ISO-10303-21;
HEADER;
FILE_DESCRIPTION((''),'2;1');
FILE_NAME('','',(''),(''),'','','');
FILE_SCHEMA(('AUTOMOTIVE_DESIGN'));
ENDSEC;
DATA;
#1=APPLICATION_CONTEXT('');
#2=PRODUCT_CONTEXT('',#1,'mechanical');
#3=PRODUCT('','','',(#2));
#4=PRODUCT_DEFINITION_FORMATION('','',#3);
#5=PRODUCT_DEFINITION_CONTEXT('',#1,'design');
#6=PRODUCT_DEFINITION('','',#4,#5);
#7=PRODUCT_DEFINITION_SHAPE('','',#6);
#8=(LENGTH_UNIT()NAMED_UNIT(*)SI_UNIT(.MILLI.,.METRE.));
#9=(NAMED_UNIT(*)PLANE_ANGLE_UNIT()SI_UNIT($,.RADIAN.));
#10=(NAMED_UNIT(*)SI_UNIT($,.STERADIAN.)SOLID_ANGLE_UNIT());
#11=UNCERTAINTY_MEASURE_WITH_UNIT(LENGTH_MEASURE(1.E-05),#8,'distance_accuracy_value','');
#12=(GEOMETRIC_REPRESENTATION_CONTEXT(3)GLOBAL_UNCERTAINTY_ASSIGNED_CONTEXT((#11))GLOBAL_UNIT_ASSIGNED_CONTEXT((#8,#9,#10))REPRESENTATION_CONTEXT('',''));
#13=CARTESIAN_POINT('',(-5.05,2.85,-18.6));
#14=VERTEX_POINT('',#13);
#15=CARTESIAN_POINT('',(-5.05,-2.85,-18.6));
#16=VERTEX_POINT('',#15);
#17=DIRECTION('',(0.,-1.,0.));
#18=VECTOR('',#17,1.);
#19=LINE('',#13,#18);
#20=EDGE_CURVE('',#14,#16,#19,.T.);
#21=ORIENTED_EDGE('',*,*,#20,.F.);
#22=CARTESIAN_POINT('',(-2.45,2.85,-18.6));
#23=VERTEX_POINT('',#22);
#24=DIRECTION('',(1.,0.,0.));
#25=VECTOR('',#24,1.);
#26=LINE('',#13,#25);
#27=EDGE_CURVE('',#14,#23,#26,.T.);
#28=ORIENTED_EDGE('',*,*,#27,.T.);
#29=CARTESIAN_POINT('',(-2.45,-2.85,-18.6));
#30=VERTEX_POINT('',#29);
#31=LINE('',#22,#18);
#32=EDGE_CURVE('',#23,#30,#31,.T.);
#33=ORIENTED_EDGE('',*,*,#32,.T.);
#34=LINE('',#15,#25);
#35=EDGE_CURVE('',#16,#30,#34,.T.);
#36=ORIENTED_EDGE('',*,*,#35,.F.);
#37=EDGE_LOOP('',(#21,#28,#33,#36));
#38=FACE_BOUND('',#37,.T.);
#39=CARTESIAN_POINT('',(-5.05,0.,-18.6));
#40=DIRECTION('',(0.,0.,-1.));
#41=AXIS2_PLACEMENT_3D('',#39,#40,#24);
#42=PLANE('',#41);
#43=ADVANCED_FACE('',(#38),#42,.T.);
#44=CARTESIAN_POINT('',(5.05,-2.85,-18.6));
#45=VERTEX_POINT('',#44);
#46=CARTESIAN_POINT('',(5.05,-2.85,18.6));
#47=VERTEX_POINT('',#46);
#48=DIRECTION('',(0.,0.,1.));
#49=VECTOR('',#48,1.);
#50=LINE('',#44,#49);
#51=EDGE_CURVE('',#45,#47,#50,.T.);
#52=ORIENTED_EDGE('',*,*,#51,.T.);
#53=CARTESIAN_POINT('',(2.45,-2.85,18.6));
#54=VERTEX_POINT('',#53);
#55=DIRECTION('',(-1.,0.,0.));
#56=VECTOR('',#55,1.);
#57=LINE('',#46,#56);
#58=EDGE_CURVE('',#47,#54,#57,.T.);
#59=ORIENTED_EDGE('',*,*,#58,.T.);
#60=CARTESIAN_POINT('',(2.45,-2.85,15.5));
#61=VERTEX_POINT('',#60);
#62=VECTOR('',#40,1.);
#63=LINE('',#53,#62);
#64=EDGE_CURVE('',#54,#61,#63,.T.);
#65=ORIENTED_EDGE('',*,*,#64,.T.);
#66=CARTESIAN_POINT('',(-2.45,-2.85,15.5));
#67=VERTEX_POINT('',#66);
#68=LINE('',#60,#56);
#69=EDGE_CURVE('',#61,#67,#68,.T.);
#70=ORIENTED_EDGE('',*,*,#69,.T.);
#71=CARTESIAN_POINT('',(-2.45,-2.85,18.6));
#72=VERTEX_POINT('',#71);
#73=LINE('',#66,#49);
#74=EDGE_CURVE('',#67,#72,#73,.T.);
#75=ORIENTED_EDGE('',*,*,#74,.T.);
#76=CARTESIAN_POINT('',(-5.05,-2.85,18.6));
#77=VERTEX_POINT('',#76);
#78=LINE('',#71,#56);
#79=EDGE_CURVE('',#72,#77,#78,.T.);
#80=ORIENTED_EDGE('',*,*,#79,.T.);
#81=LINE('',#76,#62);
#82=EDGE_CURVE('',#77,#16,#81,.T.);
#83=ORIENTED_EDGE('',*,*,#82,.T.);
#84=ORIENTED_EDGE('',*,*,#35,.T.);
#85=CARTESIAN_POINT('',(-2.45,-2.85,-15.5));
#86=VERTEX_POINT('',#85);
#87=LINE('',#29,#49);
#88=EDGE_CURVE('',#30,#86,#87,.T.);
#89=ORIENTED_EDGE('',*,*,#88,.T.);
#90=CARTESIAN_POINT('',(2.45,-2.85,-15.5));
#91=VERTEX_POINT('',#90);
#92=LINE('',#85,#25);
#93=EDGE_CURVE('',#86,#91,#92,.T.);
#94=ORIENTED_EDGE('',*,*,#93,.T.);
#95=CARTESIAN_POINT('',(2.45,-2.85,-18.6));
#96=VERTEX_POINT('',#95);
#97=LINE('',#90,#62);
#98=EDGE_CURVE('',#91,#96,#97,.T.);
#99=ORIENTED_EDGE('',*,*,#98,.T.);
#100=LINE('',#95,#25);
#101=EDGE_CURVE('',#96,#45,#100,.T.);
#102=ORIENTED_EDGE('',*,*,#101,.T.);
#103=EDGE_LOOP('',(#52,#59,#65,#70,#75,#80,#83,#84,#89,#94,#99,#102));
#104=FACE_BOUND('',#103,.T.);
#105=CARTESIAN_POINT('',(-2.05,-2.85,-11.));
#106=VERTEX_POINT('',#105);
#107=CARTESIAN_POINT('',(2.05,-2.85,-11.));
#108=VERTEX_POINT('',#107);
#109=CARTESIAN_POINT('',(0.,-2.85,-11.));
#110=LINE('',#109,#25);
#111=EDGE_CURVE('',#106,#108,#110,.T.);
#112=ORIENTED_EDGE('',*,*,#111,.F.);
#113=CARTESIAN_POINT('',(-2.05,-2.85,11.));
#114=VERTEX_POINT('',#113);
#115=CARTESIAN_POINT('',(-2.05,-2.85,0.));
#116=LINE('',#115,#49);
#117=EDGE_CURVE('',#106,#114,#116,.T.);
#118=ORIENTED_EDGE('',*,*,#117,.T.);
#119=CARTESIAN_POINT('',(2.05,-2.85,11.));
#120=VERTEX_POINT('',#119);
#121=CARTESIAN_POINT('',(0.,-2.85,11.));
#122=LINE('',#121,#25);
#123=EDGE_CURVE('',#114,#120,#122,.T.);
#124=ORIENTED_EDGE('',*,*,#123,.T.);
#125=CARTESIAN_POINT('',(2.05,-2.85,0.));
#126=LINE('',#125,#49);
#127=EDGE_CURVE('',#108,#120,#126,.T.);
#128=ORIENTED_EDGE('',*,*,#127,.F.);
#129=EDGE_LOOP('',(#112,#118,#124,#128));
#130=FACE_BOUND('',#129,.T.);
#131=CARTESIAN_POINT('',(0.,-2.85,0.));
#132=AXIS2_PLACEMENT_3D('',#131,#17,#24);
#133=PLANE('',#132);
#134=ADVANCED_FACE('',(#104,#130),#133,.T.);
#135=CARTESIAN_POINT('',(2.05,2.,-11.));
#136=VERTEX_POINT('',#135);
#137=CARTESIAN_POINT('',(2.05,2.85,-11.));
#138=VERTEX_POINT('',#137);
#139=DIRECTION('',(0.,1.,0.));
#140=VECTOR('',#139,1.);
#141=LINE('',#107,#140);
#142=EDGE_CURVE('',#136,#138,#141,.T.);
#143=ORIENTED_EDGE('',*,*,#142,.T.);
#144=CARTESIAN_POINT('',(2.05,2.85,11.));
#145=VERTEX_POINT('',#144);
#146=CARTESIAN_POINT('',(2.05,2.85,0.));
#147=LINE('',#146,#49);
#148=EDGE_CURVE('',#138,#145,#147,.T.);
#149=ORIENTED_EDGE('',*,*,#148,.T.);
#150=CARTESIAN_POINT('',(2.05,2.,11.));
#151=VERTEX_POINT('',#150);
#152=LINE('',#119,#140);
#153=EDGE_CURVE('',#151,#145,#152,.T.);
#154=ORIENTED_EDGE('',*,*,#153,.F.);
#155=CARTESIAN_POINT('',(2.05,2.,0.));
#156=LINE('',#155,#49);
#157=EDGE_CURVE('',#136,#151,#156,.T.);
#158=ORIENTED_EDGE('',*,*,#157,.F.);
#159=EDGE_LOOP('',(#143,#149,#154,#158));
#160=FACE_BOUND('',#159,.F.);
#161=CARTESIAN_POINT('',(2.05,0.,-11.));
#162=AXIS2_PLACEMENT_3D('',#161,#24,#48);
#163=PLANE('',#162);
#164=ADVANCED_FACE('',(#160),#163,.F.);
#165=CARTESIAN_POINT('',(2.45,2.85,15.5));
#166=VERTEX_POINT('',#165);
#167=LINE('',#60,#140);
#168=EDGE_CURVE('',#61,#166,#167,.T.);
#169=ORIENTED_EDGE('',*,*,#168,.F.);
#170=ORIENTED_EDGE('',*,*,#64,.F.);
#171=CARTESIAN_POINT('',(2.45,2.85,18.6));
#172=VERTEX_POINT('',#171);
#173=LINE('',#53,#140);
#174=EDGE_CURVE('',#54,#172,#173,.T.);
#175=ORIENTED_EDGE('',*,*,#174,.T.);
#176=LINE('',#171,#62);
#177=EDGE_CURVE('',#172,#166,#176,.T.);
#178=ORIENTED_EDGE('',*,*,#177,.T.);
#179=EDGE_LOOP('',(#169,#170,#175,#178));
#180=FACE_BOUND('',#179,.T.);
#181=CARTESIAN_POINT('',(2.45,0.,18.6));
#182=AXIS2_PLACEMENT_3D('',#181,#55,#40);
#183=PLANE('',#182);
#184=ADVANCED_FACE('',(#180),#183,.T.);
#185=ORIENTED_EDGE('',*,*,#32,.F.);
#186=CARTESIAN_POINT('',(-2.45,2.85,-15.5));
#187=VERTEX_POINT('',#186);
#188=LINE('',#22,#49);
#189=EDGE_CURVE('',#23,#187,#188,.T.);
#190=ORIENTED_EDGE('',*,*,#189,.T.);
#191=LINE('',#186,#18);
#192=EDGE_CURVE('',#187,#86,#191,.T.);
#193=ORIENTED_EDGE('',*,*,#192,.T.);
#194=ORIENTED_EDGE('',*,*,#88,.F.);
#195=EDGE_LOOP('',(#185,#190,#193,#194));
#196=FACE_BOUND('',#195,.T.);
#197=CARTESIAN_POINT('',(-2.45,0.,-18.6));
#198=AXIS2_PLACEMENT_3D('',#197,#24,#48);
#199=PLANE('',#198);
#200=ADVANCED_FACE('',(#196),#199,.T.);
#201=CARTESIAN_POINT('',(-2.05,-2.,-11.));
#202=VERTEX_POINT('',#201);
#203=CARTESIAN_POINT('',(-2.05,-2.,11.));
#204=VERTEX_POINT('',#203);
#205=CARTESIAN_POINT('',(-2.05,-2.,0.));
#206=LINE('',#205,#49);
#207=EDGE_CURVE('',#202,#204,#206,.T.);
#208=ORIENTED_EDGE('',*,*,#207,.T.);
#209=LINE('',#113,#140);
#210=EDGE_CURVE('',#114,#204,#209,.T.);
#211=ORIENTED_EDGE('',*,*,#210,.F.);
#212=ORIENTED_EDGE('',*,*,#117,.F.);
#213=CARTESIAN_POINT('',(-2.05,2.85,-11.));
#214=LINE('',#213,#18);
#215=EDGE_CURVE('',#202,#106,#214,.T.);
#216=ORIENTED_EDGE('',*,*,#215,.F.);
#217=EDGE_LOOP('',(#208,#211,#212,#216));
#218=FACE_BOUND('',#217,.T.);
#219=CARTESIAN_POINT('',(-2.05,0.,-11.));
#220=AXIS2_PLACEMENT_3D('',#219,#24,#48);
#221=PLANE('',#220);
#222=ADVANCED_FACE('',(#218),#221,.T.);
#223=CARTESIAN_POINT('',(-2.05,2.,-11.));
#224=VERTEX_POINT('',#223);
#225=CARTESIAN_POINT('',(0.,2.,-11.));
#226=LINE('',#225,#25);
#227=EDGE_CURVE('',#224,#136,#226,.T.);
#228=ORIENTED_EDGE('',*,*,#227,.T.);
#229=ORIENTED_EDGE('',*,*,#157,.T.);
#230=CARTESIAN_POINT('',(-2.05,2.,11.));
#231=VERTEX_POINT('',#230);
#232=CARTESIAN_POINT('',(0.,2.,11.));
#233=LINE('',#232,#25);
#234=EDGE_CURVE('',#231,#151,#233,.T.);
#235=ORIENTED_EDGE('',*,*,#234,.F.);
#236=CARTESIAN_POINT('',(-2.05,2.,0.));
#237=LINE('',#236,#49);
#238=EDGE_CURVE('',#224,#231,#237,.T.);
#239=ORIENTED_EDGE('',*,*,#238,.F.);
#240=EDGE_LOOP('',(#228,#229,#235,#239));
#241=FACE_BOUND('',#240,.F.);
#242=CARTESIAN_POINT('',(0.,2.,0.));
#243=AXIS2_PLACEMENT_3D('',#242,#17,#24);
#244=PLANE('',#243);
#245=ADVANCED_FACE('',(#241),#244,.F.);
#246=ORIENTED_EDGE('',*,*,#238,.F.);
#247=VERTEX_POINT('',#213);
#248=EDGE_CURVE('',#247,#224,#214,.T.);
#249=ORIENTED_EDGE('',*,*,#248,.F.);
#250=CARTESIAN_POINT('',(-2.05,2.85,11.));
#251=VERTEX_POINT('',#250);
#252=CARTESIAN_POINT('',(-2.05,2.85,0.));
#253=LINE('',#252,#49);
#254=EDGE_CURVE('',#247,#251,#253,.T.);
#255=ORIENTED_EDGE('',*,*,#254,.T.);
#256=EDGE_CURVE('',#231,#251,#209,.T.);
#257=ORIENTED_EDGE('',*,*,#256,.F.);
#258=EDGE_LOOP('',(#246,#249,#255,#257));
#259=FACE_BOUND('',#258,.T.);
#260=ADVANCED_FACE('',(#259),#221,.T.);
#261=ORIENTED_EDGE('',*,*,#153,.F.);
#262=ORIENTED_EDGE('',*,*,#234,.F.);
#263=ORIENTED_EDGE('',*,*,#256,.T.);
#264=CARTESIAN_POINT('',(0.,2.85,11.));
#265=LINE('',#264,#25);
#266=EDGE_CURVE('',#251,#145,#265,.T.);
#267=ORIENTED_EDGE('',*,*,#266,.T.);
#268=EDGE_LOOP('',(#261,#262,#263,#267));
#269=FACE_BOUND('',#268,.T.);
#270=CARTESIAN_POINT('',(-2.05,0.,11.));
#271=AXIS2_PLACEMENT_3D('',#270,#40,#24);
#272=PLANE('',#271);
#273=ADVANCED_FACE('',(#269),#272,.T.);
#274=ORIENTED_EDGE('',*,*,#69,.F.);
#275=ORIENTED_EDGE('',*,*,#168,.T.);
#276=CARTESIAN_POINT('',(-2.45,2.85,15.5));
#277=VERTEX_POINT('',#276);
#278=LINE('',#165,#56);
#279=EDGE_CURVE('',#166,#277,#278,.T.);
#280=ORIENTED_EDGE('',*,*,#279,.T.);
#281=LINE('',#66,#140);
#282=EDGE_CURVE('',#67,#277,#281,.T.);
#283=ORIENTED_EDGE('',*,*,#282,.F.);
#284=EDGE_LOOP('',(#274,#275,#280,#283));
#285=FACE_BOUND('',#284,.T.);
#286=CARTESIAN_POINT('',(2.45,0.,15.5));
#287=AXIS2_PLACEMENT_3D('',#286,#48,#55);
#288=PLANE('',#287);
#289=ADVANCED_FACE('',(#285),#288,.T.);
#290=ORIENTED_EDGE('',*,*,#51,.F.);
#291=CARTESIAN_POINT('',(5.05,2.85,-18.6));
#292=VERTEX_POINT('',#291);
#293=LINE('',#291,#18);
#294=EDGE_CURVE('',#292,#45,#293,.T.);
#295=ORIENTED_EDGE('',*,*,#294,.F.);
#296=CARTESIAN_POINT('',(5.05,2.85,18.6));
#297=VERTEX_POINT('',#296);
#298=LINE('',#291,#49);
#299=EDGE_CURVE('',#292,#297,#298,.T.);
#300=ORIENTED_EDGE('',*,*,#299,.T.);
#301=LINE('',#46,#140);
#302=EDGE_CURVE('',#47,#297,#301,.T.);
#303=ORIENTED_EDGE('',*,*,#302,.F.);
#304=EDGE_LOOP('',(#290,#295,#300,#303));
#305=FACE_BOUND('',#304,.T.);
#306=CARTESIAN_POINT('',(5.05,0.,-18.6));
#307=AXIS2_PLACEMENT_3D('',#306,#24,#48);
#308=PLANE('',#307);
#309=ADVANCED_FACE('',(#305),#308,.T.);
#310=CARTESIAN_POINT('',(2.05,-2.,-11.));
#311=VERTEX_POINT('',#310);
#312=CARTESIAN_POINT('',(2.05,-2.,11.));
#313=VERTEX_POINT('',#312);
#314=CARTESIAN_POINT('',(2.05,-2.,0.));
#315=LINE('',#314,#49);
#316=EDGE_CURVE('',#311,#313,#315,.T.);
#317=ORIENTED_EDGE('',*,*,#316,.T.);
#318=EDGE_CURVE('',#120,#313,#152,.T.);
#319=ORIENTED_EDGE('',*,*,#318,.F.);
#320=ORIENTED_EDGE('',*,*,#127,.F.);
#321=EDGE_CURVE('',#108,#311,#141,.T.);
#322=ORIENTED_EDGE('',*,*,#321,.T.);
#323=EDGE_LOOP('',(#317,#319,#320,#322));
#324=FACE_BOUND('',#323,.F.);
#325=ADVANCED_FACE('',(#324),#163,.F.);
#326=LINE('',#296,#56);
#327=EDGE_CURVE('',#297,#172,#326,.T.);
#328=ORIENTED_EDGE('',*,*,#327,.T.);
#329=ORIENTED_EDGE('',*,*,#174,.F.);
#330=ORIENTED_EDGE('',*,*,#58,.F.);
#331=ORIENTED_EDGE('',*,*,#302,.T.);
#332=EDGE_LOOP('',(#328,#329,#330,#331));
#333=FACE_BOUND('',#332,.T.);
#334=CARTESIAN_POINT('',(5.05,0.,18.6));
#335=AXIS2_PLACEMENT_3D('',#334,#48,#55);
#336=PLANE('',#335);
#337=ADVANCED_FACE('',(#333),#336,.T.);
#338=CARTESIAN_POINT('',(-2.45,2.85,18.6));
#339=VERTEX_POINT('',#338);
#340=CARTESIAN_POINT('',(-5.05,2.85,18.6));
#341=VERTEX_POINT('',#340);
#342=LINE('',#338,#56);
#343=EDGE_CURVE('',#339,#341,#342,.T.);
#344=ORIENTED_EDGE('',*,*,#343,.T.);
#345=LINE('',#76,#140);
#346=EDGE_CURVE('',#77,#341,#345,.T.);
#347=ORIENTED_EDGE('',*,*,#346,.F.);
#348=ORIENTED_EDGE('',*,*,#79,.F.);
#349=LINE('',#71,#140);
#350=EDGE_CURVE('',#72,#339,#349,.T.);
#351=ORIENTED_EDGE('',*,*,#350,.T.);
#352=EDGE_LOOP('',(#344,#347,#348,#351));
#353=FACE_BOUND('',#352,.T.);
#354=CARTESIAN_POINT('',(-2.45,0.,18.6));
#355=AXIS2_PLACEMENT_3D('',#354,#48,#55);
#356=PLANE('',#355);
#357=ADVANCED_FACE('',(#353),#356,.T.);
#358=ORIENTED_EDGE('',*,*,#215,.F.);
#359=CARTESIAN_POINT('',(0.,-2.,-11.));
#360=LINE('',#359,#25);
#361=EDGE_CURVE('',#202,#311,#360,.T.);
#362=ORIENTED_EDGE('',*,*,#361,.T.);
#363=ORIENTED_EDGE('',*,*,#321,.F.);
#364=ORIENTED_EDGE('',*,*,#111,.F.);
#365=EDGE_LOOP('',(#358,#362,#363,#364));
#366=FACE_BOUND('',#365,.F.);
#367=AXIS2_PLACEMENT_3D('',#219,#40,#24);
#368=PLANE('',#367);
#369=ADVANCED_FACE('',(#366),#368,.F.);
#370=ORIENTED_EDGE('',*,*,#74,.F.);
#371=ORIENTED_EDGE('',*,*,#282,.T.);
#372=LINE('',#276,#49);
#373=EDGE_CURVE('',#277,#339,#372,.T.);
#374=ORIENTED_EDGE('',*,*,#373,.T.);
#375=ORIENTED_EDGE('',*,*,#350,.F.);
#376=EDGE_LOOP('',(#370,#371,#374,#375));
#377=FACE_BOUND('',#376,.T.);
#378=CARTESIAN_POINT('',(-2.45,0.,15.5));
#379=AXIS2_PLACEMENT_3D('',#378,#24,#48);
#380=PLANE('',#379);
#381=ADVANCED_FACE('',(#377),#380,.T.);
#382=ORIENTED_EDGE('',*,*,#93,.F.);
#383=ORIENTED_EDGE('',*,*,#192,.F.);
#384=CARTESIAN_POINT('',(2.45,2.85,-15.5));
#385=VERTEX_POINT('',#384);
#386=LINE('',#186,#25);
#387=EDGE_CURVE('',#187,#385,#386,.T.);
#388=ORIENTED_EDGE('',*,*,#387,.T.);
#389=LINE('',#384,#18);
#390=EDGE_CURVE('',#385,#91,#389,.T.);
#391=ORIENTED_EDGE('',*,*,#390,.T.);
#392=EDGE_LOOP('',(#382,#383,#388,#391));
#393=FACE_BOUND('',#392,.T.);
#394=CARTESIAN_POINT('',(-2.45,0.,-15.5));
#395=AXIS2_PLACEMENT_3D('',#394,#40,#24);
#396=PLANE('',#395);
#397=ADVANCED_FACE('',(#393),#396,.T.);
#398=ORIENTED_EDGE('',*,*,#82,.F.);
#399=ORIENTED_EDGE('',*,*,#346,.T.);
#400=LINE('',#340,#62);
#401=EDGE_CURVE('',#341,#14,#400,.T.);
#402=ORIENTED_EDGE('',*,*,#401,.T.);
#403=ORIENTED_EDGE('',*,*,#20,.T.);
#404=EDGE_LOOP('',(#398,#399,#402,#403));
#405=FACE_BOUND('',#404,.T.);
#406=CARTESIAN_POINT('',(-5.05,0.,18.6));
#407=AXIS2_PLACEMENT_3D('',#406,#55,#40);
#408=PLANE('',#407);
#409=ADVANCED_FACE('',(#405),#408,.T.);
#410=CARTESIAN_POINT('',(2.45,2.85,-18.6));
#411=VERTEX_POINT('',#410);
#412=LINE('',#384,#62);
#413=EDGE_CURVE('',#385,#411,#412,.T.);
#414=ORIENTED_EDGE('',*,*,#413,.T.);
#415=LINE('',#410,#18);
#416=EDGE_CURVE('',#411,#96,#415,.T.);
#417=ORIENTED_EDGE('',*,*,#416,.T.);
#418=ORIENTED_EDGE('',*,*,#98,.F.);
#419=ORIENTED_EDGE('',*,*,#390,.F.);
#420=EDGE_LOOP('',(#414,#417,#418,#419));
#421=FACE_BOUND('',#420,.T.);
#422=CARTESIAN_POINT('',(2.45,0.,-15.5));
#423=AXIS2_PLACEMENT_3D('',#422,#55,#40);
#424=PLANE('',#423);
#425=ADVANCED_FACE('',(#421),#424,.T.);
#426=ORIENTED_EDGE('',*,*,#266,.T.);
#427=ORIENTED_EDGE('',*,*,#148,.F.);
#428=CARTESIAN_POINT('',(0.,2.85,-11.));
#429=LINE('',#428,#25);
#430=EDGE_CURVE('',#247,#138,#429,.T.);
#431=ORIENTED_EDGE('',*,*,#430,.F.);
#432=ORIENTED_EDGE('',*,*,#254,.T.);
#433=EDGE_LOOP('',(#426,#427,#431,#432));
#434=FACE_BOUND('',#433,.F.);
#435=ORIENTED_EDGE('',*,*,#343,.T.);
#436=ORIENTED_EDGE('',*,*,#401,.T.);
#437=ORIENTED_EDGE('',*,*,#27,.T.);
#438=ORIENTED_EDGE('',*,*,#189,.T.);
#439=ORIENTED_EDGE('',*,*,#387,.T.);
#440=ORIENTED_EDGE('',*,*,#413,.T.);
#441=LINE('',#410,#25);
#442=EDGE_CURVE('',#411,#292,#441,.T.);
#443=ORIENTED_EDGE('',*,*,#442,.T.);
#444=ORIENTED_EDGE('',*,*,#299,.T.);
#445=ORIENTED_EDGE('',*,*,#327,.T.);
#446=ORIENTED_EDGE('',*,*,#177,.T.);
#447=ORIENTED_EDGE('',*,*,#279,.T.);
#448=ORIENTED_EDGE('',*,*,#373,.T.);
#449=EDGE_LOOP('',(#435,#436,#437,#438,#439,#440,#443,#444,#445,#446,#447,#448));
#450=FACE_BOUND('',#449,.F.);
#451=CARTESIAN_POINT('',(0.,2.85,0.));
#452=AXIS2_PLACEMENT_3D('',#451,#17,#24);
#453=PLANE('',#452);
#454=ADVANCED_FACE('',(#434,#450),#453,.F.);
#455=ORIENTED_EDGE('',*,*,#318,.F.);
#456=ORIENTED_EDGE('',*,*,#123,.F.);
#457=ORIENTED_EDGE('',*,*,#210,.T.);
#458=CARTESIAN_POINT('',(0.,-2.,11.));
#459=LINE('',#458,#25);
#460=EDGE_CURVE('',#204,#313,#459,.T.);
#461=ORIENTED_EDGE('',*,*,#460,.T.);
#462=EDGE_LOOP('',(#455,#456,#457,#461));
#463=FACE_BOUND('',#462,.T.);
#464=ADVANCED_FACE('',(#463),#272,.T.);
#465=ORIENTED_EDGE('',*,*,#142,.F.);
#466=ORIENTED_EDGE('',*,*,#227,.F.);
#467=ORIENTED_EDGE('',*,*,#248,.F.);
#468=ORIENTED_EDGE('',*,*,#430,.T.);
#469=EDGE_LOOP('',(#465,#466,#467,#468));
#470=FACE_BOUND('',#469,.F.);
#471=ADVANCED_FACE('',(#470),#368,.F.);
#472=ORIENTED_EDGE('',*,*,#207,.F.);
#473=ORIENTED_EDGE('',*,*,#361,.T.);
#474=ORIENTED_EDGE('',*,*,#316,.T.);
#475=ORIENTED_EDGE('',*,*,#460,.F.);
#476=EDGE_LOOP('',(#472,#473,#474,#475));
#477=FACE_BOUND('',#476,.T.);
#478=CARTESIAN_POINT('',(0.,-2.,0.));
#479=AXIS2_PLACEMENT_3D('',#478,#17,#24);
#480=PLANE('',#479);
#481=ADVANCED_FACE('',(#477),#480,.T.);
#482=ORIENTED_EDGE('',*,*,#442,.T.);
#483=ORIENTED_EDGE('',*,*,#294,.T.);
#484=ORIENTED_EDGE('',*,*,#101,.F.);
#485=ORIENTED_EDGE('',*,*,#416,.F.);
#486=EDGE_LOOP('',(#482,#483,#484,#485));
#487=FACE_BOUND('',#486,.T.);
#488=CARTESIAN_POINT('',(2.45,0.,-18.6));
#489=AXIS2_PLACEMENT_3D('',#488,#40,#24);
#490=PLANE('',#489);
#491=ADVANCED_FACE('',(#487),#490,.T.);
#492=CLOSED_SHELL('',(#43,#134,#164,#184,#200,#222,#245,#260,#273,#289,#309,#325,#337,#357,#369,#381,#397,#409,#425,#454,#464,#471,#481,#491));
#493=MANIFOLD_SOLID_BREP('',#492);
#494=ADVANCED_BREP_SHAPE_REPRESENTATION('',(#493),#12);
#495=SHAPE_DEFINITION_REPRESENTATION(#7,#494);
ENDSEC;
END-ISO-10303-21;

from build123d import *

# Parameters (mm, degrees)
F0_W     = 4.1
F0_H     = 22
F1_DEPTH = 2.85
F2_DEPTH = 2


with BuildPart() as f1:
    # F0 (on Front) → F1 (new body, symmetric)
    with BuildSketch(Plane.XZ):
        Polygon((-5.05, 18.6), (-5.05, -18.6), (-2.45, -18.6), (-2.45, -15.5), (2.45, -15.5), (2.45, -18.6), (5.05, -18.6), (5.05, 18.6), (2.45, 18.6), (2.45, 15.5), (-2.45, 15.5), (-2.45, 18.6), align=None)
        Rectangle(F0_W, F0_H, mode=Mode.SUBTRACT)
    extrude(amount=F1_DEPTH, both=True)

    # F0 (on Front) → F2 (join, symmetric)
    with BuildSketch(Plane.XZ):
        Rectangle(F0_W, F0_H)
    extrude(amount=F2_DEPTH, both=True)


solid = f1.part
